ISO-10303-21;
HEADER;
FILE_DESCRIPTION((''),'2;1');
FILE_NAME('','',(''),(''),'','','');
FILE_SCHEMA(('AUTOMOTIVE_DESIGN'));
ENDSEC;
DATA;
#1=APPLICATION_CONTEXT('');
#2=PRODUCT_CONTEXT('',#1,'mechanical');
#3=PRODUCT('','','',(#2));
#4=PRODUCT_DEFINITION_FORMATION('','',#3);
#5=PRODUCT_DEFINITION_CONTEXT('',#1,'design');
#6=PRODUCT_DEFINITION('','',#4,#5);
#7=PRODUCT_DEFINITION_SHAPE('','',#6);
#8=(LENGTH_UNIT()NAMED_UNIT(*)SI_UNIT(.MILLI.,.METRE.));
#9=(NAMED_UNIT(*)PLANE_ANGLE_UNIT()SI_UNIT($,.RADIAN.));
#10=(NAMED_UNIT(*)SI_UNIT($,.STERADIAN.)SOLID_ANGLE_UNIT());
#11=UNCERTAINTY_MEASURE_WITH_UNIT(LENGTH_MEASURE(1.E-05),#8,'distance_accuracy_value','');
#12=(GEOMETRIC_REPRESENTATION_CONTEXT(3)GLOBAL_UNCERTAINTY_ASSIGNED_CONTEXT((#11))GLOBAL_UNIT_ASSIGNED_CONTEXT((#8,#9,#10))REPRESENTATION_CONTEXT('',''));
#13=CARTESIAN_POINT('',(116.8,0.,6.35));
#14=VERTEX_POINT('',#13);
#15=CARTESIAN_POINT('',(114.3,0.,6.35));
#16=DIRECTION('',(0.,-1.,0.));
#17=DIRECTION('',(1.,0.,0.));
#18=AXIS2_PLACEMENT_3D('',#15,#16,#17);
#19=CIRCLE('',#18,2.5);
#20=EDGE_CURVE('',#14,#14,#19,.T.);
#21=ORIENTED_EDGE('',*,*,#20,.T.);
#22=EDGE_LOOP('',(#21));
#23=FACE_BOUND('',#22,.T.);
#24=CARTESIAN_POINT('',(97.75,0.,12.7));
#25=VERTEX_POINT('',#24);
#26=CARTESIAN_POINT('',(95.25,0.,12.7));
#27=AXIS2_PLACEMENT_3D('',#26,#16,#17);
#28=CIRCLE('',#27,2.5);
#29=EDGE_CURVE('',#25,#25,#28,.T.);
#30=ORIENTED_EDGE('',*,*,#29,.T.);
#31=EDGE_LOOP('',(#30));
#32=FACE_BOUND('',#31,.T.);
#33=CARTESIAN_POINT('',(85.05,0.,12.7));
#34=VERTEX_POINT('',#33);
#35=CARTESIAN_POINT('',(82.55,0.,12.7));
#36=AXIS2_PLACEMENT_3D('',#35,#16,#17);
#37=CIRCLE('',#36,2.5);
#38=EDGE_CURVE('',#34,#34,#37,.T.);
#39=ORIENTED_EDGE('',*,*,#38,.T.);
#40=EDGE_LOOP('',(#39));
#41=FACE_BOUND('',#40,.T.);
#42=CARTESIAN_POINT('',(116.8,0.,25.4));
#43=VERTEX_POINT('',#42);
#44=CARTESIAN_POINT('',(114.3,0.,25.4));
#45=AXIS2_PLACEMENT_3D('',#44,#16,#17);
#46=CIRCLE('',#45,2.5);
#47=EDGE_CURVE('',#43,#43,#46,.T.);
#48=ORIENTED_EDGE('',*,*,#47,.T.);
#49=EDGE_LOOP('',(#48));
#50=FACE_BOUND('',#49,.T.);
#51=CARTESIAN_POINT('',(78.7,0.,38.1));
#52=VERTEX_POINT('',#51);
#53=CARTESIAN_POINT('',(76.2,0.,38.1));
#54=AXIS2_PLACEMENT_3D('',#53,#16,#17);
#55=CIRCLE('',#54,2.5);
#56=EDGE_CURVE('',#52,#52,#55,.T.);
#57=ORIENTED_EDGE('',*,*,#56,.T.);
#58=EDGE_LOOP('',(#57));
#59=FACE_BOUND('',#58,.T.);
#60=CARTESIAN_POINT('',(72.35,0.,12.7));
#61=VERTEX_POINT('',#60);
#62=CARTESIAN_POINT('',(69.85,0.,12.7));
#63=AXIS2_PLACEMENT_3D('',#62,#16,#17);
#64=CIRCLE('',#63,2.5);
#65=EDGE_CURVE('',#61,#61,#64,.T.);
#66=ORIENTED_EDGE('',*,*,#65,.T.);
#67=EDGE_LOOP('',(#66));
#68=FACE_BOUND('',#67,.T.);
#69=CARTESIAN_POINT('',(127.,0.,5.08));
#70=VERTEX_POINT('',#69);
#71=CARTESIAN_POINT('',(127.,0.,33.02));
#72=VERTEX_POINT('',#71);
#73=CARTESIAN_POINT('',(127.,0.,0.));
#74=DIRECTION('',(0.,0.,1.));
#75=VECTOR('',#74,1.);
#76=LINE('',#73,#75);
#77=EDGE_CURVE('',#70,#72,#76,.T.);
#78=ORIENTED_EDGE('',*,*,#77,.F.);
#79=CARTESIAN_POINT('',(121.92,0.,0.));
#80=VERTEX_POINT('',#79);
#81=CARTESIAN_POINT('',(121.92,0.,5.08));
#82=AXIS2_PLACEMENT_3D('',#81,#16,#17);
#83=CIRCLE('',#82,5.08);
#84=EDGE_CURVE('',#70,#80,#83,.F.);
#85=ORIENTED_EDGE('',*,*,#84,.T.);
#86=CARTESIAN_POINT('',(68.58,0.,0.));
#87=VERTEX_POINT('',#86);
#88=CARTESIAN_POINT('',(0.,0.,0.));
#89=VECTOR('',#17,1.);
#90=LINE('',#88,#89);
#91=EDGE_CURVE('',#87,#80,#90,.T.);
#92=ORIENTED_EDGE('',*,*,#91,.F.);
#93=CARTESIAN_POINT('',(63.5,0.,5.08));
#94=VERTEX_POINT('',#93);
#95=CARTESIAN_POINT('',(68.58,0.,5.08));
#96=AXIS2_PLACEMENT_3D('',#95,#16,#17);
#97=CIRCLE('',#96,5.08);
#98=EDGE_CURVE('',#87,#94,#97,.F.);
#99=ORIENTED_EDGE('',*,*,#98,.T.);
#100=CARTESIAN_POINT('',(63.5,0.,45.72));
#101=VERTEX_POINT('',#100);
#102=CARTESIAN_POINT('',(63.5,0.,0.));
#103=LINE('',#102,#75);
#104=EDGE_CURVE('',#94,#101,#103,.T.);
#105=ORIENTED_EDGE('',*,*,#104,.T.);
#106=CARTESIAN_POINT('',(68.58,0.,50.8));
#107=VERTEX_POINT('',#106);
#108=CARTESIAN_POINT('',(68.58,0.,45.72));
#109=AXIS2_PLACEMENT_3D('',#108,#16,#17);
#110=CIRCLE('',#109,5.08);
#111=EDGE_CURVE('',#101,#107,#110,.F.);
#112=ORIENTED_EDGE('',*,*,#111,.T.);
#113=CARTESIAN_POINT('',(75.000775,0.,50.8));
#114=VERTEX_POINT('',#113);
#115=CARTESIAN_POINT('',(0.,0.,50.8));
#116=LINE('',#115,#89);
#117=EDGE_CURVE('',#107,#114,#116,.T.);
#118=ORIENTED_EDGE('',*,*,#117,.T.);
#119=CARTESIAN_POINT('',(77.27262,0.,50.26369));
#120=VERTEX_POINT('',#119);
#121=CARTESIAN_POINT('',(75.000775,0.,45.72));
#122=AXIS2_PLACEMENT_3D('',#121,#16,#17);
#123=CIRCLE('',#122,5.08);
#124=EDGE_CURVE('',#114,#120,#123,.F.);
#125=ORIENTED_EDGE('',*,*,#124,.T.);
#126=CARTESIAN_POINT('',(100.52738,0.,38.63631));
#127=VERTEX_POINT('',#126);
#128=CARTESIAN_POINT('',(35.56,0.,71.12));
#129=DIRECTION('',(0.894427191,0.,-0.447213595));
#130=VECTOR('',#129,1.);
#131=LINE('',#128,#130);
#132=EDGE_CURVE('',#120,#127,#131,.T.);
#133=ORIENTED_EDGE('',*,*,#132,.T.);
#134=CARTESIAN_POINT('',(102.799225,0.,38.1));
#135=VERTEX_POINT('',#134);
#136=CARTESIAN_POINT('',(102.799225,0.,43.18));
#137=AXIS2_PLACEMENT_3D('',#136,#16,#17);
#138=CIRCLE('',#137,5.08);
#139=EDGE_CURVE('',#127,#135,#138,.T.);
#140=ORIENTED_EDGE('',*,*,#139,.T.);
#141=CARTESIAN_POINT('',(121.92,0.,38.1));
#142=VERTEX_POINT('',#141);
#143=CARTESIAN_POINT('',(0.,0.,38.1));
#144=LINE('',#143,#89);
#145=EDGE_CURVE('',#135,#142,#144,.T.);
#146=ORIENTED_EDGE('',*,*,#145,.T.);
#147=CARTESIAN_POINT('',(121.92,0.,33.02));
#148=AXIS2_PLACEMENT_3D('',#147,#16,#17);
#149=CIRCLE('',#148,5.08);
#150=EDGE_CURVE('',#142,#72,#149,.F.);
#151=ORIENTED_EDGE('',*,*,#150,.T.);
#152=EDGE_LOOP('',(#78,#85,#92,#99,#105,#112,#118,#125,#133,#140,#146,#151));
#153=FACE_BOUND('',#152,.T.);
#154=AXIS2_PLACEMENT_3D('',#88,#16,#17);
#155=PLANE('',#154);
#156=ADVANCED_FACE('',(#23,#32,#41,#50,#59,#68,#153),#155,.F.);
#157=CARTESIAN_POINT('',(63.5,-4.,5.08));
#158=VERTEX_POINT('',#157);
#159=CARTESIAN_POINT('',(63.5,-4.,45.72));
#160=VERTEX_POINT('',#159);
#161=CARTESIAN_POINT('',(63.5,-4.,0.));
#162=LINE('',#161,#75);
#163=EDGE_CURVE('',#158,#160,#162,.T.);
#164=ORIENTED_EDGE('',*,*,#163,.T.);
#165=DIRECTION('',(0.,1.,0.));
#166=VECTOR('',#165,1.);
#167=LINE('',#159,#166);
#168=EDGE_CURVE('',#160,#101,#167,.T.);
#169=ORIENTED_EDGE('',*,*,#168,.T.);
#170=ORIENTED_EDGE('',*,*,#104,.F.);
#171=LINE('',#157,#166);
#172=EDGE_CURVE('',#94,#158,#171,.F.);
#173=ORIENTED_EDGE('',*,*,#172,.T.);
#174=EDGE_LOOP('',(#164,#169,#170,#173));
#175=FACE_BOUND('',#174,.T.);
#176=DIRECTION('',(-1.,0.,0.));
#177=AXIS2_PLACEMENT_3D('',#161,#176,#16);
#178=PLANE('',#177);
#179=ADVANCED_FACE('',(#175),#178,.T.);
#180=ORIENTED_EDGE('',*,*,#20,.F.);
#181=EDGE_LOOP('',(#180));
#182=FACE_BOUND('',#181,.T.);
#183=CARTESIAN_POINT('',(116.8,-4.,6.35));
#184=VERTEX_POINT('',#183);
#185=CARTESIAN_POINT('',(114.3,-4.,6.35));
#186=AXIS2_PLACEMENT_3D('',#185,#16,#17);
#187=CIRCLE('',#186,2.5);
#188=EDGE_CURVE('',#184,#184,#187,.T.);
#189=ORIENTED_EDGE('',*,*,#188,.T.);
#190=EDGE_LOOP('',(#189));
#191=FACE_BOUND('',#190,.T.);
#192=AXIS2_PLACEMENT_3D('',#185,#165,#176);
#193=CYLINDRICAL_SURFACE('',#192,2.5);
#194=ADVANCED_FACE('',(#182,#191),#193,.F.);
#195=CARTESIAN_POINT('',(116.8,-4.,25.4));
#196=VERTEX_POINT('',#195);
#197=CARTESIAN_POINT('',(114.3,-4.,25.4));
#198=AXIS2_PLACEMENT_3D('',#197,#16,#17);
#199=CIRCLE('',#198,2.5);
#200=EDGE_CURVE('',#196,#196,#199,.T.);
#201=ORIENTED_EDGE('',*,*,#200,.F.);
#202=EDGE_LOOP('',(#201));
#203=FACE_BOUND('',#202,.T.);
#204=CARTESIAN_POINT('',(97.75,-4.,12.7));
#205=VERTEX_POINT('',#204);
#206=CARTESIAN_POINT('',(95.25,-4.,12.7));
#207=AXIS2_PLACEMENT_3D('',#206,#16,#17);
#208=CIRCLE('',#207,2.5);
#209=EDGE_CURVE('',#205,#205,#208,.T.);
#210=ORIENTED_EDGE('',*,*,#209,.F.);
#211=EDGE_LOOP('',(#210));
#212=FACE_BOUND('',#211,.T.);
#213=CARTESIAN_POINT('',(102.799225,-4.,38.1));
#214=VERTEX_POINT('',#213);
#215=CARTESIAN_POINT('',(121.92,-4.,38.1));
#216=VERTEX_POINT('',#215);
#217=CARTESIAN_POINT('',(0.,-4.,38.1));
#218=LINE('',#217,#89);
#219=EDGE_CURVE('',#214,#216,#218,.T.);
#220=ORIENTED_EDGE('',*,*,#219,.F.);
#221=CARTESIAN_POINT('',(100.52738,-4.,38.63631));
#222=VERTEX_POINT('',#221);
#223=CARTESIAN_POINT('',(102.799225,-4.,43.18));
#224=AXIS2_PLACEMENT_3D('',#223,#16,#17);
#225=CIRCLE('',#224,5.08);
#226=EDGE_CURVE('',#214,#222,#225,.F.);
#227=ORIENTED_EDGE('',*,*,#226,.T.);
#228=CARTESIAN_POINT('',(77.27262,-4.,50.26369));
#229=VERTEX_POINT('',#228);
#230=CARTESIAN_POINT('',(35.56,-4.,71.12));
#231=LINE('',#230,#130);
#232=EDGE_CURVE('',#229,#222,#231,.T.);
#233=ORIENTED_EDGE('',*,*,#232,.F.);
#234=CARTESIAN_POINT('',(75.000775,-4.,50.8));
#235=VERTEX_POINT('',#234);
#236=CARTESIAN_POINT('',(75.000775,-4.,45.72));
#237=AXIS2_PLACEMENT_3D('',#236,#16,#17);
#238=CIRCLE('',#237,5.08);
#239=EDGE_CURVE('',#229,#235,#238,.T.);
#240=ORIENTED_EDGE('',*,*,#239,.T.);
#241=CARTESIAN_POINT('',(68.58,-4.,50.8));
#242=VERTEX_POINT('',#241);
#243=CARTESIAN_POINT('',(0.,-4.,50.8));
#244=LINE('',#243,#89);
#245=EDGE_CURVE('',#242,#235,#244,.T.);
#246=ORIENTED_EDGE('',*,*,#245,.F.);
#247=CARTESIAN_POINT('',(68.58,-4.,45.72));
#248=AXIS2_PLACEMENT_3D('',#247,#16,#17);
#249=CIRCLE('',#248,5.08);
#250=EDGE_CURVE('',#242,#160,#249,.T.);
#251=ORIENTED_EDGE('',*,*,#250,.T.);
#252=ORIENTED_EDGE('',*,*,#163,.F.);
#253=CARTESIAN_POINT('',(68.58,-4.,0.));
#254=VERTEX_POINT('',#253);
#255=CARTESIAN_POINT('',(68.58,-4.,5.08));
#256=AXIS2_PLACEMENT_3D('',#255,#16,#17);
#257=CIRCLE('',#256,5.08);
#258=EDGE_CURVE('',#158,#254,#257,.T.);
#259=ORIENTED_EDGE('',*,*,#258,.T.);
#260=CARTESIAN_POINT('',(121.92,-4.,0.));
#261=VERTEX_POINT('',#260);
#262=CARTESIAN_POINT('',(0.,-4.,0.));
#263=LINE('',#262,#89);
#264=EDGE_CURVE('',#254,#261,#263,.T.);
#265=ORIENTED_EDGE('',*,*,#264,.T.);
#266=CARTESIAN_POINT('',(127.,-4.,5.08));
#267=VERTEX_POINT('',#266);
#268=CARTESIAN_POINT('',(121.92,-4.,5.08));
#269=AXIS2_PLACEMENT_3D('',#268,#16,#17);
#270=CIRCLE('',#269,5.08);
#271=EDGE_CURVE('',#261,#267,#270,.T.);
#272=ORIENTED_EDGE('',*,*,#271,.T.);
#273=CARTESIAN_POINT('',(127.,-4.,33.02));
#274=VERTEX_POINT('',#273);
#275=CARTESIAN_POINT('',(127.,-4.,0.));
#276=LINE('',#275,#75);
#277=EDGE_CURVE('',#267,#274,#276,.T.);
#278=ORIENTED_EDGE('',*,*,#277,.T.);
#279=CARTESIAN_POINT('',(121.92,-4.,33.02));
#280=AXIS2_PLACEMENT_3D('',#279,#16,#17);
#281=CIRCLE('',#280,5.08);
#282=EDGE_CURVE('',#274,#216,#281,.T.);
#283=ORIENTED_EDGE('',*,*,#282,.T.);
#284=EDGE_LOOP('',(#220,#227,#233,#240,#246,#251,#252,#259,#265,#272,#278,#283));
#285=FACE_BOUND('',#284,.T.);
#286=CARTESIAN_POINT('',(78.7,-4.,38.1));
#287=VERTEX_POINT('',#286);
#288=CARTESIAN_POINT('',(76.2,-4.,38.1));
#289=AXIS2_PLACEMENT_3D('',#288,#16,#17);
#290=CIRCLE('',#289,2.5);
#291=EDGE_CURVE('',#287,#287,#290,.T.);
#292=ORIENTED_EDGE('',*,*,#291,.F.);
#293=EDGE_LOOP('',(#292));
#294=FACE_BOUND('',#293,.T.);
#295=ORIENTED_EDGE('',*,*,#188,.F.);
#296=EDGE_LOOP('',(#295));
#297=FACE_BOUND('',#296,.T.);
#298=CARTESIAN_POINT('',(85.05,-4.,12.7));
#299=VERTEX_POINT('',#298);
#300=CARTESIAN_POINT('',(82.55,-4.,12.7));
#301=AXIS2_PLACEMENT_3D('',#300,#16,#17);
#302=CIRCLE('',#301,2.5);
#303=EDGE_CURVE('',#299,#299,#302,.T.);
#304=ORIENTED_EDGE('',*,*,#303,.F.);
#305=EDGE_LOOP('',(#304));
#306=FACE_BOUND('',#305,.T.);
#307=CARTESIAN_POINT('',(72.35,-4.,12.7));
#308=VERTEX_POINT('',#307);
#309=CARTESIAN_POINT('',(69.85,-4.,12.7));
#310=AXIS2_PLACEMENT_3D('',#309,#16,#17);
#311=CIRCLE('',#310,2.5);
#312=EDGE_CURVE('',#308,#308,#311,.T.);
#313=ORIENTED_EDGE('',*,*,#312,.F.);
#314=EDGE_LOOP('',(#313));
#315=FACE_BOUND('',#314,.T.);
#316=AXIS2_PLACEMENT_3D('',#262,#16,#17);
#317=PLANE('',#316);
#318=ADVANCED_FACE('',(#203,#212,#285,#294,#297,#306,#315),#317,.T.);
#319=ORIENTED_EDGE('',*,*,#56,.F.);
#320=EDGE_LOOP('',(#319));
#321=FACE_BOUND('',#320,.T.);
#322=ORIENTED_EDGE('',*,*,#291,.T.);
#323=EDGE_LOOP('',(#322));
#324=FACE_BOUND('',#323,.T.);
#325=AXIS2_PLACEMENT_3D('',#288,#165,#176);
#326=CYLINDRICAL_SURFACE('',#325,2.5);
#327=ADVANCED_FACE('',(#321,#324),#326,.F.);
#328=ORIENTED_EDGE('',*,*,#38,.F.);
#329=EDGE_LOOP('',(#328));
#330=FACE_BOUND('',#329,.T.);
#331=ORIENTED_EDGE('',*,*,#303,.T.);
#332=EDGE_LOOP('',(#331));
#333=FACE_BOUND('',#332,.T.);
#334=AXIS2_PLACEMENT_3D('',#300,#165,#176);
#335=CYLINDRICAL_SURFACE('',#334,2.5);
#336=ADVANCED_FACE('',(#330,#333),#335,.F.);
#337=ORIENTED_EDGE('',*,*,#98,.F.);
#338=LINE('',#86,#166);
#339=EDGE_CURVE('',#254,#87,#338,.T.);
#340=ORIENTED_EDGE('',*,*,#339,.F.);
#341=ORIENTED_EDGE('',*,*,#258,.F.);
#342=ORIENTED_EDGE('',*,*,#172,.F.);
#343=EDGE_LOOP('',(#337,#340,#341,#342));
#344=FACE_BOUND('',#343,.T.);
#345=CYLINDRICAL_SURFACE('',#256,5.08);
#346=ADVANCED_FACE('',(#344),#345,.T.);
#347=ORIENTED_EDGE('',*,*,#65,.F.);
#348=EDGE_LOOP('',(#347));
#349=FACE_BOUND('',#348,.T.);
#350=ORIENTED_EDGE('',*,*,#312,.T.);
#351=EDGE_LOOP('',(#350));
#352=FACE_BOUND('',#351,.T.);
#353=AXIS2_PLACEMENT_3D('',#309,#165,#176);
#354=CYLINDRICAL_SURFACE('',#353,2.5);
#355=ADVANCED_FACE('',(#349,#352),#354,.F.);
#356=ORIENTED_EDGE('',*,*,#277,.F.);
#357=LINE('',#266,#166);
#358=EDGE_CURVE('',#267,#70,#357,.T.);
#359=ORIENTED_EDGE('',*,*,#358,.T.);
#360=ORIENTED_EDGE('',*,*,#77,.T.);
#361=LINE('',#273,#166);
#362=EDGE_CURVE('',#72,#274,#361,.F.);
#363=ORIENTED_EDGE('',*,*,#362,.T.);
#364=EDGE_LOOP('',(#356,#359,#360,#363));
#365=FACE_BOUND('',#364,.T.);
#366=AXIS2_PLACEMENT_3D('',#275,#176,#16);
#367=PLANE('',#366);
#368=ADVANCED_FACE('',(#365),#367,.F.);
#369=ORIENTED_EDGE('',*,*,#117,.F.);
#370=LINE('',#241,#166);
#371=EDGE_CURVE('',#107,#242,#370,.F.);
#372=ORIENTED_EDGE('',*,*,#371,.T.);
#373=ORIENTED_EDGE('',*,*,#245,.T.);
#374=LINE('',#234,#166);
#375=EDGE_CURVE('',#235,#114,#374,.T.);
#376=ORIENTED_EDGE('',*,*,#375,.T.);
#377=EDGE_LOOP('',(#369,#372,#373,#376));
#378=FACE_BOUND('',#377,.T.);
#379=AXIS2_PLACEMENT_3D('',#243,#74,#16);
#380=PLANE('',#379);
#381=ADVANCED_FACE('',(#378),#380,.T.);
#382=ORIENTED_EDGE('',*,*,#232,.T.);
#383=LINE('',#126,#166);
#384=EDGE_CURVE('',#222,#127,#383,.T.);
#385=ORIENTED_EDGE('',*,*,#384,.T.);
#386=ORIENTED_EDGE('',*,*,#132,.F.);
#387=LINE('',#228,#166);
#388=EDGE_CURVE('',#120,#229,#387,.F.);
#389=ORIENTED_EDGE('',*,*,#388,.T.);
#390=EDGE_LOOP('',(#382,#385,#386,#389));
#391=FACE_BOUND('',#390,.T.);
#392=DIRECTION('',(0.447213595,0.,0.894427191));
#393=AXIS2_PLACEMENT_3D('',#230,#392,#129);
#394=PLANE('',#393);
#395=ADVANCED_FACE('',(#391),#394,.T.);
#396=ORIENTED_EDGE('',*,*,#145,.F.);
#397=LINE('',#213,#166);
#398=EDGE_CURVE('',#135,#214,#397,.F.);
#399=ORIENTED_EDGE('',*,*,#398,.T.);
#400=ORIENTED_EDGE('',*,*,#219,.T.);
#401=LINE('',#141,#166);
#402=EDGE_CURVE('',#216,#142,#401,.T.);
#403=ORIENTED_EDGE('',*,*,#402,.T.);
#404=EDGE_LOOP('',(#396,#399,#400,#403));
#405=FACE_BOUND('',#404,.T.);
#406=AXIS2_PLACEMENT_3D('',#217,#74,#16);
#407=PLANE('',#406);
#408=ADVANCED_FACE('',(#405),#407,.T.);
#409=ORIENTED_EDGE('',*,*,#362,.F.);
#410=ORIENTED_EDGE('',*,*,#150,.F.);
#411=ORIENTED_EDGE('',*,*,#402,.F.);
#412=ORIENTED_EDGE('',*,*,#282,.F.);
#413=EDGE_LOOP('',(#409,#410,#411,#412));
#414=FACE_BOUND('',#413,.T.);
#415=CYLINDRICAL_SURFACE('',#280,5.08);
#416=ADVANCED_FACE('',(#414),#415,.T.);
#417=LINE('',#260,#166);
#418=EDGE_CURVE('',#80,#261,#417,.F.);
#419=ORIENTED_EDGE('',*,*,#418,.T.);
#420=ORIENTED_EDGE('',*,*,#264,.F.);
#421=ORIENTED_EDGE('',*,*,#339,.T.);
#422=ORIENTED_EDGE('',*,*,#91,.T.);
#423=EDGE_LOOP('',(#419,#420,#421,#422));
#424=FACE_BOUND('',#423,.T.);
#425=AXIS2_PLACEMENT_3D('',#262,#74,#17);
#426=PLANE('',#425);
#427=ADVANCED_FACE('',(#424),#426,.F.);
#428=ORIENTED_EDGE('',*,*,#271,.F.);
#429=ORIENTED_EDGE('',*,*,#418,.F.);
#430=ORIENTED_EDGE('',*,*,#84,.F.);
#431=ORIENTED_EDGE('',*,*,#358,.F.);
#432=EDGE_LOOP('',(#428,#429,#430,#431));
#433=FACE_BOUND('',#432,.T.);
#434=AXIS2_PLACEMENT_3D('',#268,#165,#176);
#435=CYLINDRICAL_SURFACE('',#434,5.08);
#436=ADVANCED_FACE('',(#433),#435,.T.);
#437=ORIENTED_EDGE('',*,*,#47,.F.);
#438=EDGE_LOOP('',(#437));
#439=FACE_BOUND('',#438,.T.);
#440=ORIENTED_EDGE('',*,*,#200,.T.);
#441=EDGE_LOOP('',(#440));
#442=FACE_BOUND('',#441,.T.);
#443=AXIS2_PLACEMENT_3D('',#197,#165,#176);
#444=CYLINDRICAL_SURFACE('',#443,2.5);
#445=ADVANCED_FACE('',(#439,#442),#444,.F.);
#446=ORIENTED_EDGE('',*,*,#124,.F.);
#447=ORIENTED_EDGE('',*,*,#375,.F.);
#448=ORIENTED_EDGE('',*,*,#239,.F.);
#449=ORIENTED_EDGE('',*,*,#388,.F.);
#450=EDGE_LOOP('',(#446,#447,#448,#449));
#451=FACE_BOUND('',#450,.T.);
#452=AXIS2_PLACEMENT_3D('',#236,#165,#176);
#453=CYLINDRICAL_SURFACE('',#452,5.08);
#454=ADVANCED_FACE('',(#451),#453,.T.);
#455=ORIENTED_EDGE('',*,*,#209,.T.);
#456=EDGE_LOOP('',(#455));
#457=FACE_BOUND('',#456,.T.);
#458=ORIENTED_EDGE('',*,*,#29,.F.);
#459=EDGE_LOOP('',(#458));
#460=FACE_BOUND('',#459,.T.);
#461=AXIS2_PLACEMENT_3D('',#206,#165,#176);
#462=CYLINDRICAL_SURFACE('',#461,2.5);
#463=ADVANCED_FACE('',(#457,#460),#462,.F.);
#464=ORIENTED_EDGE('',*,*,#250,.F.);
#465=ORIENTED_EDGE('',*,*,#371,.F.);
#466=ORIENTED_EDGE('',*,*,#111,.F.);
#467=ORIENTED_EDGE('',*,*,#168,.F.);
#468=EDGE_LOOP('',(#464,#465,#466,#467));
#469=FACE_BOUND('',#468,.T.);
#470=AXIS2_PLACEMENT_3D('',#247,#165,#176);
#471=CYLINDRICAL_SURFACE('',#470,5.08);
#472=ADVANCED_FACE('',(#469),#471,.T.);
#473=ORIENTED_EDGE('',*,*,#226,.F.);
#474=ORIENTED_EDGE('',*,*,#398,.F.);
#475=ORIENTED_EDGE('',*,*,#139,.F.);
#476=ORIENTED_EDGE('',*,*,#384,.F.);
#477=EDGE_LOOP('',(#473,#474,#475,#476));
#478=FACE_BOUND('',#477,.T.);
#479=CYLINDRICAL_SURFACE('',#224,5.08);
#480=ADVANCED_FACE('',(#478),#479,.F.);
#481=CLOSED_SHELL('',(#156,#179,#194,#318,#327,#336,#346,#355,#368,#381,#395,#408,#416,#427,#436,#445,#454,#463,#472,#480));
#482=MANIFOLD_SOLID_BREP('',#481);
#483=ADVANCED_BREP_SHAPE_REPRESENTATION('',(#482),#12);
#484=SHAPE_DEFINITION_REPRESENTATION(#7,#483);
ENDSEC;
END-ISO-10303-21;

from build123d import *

# Parameters (mm, degrees)
SKETCH1_R           = 2.5
BOSS_EXTRUDE1_DEPTH = 4
FILLET1_R           = 5.08


with BuildPart() as part:
    # Sketch1 → Boss-Extrude1 (new body)
    with BuildSketch(Plane.XZ):
        Polygon((127, 38.1), (101.6, 38.1), (76.2, 50.8), (63.5, 50.8), (63.5, 0), (127, 0), align=None)
        with Locations((69.85, 12.7)):
            Circle(SKETCH1_R, mode=Mode.SUBTRACT)
        with Locations((82.55, 12.7)):
            Circle(SKETCH1_R, mode=Mode.SUBTRACT)
        with Locations((114.3, 6.35)):
            Circle(SKETCH1_R, mode=Mode.SUBTRACT)
        with Locations((95.25, 12.7)):
            Circle(SKETCH1_R, mode=Mode.SUBTRACT)
        with Locations((114.3, 25.4)):
            Circle(SKETCH1_R, mode=Mode.SUBTRACT)
        with Locations((76.2, 38.1)):
            Circle(SKETCH1_R, mode=Mode.SUBTRACT)
    extrude(amount=BOSS_EXTRUDE1_DEPTH)

    # Fillet1
    fillet1_edges = [part.edges().sort_by_distance(p)[0] for p in [
        (63.5, -2, 50.8),
        (76.2, -2, 50.8),
        (101.6, -2, 38.1),
        (127, -2, 38.1),
        (127, -2, 0),
        (63.5, -2, 0),
    ]]
    fillet(fillet1_edges, radius=FILLET1_R)


solid = part.part
